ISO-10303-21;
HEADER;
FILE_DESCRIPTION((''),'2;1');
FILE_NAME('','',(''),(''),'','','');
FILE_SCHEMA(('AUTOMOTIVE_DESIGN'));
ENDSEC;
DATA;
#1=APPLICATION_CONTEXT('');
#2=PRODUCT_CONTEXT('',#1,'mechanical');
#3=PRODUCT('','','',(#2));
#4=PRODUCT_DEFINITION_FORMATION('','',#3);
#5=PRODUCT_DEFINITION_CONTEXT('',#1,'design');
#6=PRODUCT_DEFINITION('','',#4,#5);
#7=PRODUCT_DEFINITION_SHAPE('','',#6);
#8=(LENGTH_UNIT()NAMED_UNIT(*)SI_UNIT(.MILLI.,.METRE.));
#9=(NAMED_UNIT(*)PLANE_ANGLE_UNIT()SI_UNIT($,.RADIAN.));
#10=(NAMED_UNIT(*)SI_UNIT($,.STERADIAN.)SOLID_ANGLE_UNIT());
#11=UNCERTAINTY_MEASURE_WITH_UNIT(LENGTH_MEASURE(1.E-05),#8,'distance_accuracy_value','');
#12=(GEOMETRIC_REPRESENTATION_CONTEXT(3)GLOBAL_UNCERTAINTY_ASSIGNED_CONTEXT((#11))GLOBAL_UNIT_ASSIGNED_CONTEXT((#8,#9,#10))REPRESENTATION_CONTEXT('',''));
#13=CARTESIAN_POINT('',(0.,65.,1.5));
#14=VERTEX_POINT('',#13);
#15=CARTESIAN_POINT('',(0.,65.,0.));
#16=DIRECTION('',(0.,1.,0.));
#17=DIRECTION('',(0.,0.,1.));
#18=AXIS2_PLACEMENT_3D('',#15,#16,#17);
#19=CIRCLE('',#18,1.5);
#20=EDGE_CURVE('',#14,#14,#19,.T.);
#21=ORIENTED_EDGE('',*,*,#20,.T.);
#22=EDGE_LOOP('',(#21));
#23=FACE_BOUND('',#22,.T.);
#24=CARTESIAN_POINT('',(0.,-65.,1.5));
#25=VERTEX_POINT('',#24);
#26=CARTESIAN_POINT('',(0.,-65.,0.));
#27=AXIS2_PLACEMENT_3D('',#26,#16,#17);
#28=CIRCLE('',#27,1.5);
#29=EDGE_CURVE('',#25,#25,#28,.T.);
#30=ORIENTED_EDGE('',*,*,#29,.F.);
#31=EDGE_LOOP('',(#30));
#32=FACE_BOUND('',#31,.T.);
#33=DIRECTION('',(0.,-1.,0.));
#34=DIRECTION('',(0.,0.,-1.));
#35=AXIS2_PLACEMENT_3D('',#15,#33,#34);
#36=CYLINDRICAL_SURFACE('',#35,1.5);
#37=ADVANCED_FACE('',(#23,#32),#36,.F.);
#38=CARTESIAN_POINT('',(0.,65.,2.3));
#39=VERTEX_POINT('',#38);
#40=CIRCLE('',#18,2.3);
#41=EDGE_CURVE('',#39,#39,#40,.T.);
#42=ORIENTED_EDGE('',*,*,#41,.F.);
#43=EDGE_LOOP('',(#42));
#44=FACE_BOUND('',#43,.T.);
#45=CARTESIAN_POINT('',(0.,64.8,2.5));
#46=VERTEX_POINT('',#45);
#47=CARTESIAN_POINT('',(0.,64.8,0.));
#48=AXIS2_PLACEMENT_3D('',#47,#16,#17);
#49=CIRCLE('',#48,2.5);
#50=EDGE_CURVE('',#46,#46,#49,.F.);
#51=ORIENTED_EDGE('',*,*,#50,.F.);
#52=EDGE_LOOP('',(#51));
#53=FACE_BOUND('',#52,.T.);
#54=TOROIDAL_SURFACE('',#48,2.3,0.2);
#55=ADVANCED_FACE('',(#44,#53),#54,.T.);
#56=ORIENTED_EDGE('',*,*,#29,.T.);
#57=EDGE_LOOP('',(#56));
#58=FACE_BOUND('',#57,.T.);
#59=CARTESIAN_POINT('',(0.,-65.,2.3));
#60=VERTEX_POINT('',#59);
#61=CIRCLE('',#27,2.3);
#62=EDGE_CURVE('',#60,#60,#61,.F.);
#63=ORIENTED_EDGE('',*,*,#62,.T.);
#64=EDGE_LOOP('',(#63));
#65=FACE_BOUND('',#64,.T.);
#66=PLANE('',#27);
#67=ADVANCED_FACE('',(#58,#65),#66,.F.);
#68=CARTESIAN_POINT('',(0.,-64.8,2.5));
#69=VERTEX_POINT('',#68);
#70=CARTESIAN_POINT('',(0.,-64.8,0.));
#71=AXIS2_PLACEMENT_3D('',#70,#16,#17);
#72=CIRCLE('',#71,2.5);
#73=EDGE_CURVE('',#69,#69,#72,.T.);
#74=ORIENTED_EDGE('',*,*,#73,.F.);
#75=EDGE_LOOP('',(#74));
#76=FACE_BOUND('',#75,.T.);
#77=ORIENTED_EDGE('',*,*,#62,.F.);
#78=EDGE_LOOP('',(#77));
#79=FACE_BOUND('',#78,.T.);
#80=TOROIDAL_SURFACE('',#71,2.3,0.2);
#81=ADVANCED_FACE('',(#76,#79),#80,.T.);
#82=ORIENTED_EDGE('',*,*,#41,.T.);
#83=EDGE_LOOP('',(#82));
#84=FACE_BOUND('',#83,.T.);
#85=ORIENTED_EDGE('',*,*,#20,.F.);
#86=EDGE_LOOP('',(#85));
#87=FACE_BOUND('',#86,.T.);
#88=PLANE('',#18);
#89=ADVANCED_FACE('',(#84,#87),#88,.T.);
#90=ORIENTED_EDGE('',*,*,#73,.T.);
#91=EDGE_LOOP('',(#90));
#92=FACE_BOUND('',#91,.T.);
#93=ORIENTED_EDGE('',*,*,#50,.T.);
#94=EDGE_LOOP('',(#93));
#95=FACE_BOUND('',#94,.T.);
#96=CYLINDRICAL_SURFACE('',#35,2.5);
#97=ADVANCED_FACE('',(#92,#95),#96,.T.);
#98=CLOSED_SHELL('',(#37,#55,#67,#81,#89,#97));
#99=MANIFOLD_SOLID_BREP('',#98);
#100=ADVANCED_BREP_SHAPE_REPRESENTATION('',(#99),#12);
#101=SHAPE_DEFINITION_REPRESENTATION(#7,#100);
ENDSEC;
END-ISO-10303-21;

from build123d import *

# Parameters (mm, degrees)
SKETCH5_R      = 2.5
SKETCH5_R_2    = 1.5
MAINBODY_DEPTH = 65
F_0_2MM_R      = 0.2


with BuildPart() as part:
    # Sketch5 → MainBody (new body, symmetric)
    with BuildSketch(Plane(origin=(0, 0, 0), x_dir=(1, 0, 0), z_dir=(0, 1, 0))):
        Circle(SKETCH5_R)
        Circle(SKETCH5_R_2, mode=Mode.SUBTRACT)
    extrude(amount=MAINBODY_DEPTH, both=True)

    # 0.2mm
    f_0_2mm_edges = [part.edges().sort_by_distance(p)[0] for p in [
        (-2.5, -65, 0),
        (-2.5, 65, 0),
    ]]
    fillet(f_0_2mm_edges, radius=F_0_2MM_R)


solid = part.part
